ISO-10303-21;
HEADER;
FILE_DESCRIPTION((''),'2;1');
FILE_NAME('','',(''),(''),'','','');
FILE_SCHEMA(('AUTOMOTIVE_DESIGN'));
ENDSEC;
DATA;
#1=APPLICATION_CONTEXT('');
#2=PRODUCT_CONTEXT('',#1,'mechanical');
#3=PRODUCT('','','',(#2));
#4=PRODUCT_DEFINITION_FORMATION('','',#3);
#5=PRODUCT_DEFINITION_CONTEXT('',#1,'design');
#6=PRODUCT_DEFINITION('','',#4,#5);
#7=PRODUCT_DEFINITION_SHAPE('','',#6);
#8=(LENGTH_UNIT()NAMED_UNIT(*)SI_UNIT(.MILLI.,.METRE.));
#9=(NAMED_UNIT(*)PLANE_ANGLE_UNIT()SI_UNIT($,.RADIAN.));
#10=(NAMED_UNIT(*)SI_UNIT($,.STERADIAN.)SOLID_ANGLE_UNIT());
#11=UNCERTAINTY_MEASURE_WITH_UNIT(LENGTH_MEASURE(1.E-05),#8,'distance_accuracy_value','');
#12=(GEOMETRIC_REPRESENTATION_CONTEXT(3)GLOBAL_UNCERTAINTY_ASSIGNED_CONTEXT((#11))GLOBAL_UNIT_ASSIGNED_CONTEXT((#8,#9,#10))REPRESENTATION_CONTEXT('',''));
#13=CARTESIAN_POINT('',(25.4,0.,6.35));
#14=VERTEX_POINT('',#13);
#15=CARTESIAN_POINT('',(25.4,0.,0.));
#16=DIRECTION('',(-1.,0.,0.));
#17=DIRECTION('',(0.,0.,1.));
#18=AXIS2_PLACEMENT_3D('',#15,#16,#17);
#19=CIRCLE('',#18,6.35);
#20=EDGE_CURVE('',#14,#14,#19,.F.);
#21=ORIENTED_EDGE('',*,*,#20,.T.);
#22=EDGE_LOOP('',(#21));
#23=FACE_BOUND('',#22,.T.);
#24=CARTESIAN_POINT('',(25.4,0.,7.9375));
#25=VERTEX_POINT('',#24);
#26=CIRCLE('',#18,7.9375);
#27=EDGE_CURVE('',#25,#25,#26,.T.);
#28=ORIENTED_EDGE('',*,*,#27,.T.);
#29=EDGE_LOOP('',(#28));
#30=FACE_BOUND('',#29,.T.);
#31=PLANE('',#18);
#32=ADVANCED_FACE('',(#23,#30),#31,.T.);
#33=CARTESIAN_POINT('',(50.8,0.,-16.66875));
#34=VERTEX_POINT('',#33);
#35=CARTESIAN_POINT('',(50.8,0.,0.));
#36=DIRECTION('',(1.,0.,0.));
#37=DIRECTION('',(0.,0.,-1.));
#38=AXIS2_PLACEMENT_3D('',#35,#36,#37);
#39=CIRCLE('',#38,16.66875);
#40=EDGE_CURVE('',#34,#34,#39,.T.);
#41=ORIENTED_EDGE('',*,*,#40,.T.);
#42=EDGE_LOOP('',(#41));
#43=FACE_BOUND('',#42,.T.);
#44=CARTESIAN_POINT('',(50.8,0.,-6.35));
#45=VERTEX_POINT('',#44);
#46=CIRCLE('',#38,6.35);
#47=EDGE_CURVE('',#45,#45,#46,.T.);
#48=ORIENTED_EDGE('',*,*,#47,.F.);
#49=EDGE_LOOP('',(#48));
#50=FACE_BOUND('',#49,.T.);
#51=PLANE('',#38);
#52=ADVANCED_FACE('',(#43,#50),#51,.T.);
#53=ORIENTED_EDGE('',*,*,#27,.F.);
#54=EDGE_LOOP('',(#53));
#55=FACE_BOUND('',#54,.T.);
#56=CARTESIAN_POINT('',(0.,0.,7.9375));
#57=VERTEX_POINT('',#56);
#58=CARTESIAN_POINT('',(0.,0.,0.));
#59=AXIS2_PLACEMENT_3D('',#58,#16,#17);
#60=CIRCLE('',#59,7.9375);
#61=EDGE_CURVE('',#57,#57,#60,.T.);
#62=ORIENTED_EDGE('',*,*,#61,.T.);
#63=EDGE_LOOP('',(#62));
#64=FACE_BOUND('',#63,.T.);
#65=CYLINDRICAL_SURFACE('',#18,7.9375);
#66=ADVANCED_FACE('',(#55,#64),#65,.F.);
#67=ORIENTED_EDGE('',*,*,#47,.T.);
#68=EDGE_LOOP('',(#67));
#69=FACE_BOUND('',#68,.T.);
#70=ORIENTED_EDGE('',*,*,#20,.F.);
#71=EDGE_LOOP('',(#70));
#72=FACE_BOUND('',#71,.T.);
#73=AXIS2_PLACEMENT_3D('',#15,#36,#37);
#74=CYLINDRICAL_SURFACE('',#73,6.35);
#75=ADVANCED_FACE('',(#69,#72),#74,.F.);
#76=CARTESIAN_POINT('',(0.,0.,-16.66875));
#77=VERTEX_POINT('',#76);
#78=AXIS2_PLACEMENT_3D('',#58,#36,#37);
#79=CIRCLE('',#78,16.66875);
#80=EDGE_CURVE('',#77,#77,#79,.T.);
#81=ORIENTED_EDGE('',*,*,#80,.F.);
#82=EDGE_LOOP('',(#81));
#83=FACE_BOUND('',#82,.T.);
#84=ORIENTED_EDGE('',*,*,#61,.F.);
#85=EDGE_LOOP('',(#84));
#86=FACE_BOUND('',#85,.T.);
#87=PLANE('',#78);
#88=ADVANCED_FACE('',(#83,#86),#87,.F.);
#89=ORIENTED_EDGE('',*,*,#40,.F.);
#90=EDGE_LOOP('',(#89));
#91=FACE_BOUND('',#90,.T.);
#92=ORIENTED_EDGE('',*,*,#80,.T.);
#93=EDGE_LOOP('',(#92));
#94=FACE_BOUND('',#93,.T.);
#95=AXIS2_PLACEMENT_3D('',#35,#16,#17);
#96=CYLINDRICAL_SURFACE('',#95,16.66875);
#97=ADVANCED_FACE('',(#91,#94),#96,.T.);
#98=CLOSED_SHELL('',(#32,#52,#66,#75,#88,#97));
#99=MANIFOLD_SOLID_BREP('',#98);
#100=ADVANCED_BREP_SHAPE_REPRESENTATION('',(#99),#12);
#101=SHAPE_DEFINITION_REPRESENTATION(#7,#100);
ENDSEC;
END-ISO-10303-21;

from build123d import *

# Parameters (mm, degrees)
SKETCH1_R          = 16.66875
EXTRUDE1_DEPTH     = 50.8
SKETCH2_R          = 6.35
CUT_EXTRUDE1_DEPTH = 25.4
SKETCH3_R          = 7.9375
CUT_EXTRUDE2_DEPTH = 25.4


with BuildPart() as part:
    # Sketch1 → Extrude1 (new body)
    with BuildSketch(Plane(origin=(0, 0, 0), x_dir=(0, 0, -1), z_dir=(1, 0, 0))):
        Circle(SKETCH1_R)
    extrude(amount=EXTRUDE1_DEPTH)

    # Sketch2 → Cut-Extrude1 (cut)
    with BuildSketch(Plane(origin=(50.8, 0, 0), x_dir=(0, 0, -1), z_dir=(1, 0, 0))):
        Circle(SKETCH2_R)
    extrude(amount=-CUT_EXTRUDE1_DEPTH, mode=Mode.SUBTRACT)

    # Sketch3 → Cut-Extrude2 (cut)
    with BuildSketch(Plane.ZY):
        Circle(SKETCH3_R)
    extrude(amount=-CUT_EXTRUDE2_DEPTH, mode=Mode.SUBTRACT)


solid = part.part
